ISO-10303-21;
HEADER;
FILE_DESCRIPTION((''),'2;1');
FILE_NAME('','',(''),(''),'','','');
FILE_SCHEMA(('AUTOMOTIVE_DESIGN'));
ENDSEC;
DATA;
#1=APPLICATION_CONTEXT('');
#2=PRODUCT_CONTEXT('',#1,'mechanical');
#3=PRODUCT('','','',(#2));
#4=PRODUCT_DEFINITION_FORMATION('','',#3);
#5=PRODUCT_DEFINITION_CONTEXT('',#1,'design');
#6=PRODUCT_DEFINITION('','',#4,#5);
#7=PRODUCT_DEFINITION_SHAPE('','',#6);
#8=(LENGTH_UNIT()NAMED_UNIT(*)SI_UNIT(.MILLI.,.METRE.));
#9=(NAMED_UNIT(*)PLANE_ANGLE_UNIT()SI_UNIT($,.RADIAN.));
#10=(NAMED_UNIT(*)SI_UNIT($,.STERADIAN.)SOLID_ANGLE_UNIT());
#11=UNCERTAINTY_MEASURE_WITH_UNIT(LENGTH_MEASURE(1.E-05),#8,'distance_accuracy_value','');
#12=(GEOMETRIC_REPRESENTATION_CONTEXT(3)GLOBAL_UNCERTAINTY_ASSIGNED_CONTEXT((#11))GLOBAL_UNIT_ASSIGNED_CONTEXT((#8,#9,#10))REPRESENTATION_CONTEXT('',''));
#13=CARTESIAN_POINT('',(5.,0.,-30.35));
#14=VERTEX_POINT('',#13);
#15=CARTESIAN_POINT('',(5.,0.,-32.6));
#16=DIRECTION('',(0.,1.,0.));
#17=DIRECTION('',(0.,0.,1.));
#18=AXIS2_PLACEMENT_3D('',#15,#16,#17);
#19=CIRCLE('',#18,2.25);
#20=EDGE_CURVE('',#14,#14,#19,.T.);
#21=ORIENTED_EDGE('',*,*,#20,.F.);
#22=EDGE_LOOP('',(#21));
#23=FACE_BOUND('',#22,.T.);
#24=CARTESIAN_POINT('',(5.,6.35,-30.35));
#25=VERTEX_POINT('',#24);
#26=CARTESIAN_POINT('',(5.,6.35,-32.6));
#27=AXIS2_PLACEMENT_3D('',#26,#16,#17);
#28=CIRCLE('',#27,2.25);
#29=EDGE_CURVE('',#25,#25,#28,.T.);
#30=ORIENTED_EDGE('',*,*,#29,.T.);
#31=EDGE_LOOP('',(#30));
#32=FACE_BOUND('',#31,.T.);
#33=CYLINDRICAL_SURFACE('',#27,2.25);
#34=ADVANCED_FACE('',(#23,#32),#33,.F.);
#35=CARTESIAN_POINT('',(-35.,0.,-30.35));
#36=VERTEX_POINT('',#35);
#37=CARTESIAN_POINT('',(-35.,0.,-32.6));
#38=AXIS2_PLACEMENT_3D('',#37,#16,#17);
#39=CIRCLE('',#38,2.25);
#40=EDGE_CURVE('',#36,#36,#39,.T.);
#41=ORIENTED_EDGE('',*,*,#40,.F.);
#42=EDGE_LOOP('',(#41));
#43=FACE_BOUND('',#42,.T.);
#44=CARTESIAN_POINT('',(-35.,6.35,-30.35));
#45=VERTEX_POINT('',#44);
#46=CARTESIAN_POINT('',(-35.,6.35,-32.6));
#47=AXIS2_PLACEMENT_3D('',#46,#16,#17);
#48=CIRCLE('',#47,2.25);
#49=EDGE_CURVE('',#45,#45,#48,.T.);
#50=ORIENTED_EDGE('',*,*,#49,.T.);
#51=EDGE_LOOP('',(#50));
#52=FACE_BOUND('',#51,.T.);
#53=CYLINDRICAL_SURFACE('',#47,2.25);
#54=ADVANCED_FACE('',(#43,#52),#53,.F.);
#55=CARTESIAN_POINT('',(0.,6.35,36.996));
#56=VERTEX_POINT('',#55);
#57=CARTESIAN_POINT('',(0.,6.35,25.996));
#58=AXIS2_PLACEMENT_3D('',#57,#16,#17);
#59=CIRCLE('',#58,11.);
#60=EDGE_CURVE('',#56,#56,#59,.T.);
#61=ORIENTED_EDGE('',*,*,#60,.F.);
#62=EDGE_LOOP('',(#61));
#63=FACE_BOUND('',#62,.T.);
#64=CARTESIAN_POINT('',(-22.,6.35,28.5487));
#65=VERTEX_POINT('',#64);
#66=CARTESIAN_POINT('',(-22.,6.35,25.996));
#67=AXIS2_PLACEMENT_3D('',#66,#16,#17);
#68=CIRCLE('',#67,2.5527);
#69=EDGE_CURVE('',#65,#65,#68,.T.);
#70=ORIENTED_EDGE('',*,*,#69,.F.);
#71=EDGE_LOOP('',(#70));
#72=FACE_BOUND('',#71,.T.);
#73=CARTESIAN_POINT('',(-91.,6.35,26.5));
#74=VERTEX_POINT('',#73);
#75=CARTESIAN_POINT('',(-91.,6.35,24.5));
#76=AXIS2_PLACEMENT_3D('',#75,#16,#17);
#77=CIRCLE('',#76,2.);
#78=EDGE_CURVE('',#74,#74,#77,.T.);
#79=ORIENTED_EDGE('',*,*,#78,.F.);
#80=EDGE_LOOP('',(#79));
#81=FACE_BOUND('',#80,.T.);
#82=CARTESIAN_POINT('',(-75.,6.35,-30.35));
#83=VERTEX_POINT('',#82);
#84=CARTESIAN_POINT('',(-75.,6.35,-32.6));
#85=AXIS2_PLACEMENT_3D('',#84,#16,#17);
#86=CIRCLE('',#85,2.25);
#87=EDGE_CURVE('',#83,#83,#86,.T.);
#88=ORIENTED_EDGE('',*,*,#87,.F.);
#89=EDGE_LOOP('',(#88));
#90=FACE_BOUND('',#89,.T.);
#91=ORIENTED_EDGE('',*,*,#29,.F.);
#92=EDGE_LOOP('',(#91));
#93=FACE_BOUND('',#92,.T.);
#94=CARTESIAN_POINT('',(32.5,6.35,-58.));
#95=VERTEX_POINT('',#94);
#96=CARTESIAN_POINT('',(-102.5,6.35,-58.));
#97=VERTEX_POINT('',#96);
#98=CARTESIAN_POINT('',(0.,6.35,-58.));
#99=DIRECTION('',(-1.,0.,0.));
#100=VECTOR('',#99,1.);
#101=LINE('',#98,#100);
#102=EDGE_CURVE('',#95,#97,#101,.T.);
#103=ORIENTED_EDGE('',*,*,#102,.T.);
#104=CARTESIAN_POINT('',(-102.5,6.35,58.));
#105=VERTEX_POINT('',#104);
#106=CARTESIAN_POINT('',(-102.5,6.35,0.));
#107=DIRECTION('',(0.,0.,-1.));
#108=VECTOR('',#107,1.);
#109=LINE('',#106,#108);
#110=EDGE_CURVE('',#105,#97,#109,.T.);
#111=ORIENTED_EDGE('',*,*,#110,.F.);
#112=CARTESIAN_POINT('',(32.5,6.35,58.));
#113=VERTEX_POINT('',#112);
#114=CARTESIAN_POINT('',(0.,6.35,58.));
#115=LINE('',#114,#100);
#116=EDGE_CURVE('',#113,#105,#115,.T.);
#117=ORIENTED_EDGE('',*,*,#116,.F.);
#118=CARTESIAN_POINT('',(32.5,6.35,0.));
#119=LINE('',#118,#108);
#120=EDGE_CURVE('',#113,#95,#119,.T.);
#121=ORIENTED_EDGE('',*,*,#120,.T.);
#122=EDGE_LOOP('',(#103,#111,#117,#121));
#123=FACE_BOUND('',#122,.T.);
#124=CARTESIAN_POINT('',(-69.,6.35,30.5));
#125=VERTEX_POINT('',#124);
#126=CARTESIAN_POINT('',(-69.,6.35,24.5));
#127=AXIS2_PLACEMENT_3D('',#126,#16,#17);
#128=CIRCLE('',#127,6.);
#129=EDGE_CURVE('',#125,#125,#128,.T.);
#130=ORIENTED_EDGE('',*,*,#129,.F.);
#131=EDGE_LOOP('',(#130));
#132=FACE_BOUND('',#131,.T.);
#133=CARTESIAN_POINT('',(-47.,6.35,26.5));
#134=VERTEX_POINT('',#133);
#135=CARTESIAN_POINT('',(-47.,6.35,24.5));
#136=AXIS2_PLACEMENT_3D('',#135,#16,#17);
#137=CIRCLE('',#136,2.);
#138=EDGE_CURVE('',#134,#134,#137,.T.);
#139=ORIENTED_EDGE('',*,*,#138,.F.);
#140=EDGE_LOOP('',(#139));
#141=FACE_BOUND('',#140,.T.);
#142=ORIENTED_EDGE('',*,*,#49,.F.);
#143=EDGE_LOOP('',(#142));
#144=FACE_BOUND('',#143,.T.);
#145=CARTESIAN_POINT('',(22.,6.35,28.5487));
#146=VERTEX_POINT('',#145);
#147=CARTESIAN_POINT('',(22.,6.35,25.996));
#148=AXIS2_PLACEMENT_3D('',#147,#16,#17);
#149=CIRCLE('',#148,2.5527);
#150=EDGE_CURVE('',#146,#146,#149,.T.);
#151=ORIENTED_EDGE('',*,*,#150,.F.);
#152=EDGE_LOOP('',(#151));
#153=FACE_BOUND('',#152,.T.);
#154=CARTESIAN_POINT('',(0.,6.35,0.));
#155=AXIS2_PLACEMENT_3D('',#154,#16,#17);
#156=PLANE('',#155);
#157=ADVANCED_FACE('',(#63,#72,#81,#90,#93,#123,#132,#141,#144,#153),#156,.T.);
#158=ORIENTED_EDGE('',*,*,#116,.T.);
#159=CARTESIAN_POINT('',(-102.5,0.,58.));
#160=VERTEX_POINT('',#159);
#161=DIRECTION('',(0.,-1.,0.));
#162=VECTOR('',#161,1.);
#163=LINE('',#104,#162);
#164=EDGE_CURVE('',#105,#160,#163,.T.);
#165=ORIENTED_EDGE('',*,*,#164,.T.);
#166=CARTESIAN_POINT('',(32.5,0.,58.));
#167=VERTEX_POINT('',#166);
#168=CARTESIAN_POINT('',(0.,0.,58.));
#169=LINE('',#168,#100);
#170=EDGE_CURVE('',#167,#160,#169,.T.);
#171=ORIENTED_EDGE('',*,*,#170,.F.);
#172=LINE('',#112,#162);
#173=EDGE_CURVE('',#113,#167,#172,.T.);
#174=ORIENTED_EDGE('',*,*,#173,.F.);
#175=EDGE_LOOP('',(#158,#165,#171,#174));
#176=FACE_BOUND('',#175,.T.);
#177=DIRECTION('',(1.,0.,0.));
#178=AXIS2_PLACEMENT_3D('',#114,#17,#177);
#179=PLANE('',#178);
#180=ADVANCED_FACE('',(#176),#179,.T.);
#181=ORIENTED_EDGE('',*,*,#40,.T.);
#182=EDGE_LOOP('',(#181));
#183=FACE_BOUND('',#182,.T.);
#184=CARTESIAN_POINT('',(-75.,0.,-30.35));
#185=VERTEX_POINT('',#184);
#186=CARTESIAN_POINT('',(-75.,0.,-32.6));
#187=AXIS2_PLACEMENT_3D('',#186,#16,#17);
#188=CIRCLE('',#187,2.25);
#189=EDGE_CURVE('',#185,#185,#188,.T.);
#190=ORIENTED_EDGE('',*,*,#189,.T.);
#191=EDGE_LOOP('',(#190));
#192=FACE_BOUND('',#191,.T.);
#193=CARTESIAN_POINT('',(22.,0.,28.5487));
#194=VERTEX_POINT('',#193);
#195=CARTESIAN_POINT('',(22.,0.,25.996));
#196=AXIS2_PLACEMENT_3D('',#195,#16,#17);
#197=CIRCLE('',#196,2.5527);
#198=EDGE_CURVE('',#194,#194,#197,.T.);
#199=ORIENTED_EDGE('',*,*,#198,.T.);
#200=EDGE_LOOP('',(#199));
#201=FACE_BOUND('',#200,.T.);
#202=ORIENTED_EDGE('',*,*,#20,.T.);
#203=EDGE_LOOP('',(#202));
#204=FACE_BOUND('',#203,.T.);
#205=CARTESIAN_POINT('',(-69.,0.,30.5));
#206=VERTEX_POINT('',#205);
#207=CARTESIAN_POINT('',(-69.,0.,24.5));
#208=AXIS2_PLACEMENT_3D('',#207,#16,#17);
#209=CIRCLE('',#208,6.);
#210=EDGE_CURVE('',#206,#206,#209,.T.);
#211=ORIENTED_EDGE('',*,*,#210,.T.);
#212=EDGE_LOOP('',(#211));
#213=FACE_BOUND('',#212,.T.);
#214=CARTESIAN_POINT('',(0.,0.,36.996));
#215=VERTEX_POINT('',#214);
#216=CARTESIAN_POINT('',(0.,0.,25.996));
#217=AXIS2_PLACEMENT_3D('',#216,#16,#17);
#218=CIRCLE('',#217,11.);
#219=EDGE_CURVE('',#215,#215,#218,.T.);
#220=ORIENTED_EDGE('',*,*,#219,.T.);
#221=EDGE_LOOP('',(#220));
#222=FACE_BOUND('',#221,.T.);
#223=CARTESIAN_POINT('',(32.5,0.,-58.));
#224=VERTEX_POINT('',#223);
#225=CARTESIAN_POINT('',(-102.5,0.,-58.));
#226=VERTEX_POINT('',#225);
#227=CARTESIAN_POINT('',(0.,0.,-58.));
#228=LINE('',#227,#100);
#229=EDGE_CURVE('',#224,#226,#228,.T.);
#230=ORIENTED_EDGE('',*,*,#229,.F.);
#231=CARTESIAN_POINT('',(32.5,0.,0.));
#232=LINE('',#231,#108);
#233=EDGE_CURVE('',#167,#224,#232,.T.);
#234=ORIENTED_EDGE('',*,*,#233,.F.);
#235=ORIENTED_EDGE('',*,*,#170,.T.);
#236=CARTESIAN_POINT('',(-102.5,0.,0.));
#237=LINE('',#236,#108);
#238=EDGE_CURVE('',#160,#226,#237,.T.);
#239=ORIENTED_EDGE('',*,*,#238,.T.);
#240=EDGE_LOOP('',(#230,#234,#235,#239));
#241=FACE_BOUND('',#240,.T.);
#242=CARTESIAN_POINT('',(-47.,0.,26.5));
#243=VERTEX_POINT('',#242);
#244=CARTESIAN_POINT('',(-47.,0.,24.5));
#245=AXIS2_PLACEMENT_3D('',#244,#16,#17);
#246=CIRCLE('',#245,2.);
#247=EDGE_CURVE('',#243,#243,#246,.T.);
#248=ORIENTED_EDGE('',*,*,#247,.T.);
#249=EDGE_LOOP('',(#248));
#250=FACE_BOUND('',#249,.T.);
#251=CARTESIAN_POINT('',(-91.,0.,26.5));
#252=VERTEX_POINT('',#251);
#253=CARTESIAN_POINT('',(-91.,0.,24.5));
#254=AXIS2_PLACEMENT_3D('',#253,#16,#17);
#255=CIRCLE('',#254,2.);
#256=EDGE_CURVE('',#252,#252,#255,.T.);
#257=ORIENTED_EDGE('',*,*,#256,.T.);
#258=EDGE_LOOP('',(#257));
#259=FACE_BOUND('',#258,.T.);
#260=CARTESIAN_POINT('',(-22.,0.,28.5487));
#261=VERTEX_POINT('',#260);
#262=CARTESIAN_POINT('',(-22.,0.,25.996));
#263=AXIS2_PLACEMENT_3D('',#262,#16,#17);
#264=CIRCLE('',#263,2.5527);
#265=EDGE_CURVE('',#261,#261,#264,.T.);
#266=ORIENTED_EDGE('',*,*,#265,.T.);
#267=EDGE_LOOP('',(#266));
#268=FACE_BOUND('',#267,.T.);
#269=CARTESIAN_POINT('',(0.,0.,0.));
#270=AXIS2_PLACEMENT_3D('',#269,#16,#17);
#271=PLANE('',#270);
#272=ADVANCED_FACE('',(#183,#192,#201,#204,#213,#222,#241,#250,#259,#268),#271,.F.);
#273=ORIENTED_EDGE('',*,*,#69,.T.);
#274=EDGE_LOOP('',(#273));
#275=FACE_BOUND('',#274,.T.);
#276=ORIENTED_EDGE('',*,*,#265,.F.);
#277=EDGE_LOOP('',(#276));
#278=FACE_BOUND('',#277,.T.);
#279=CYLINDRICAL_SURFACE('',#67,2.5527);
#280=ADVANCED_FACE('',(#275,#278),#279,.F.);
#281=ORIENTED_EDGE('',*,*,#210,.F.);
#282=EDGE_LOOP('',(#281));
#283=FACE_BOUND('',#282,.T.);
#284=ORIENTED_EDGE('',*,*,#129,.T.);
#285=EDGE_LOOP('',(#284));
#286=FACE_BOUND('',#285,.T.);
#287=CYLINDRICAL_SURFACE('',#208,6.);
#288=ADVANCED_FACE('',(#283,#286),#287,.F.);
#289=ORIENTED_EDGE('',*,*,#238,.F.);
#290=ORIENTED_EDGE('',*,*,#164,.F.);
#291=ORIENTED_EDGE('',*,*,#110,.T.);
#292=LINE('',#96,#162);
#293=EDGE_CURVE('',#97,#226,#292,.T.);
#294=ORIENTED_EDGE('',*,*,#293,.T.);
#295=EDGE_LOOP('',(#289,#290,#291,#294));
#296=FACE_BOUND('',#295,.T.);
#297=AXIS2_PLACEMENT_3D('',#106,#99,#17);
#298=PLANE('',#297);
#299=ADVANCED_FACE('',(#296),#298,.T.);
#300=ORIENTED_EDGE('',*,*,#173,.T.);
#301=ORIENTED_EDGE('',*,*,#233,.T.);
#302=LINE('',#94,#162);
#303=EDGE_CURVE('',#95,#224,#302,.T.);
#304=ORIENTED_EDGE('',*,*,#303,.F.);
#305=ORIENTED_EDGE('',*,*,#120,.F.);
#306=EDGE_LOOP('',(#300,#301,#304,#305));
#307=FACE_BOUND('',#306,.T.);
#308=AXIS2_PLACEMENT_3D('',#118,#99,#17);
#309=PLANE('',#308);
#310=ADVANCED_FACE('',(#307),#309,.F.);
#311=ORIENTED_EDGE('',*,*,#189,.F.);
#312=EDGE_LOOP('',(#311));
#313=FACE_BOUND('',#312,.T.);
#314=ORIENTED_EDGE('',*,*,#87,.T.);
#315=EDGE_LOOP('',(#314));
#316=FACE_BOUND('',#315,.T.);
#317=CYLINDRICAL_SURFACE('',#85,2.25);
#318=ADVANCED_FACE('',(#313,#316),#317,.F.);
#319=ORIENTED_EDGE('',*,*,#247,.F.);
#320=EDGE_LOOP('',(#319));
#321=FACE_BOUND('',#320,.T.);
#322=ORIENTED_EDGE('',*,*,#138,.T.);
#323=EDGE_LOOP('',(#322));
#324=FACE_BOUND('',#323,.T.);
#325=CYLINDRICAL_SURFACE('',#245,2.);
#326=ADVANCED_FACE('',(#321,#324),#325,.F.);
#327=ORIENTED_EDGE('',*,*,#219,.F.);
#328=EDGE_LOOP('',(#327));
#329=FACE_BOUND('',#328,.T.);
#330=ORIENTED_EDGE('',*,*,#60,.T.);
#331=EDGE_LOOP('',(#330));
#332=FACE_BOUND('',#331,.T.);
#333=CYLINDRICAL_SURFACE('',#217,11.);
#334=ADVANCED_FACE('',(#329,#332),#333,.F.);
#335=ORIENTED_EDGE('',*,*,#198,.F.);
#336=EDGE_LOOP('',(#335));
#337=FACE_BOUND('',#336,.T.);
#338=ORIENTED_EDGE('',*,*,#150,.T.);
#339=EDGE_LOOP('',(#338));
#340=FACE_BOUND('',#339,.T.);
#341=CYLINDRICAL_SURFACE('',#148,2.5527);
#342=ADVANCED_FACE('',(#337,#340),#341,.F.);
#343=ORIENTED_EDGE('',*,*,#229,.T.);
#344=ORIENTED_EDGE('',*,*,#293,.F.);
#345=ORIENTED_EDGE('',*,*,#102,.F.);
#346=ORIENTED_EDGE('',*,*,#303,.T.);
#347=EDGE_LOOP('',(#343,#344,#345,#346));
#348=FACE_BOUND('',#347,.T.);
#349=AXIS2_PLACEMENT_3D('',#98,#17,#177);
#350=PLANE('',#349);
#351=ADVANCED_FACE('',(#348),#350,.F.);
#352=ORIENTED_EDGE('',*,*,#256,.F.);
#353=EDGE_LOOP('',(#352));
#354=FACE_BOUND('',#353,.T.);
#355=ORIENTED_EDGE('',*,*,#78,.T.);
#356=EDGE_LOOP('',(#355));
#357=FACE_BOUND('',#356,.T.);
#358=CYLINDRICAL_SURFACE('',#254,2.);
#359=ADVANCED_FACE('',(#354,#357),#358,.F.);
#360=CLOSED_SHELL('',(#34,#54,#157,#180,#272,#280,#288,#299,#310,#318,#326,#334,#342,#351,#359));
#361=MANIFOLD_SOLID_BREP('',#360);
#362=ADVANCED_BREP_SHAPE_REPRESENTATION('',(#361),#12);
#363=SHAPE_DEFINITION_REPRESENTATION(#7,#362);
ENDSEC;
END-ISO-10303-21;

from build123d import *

# Parameters (mm, degrees)
SKETCH1_W               = 65
SKETCH1_H               = 116
SKETCH1_W_2             = 70
BOSS_EXTRUDE1_DEPTH     = 6.35
F_10_CLEARANCE_HOLE1_D  = 5.1054
SKETCH9_R               = 11
CUT_EXTRUDE2_DEPTH      = 118.94309009
M4_CLEARANCE_HOLE1_D    = 4.5
CUT_EXTRUDE3_DEPTH      = 118.94309009
CUT_EXTRUDE3_DEPTH_BACK = 118.94309009
SKETCH12_R              = 6
SKETCH12_R_2            = 2


with BuildPart() as part:
    # Sketch1 → Boss-Extrude1 (new body)
    with BuildSketch(Plane(origin=(0, 0, 0), x_dir=(1, 0, 0), z_dir=(0, 1, 0))):
        Rectangle(SKETCH1_W, SKETCH1_H)
        with Locations((-67.5, 0)):
            Rectangle(SKETCH1_W_2, SKETCH1_H)
    extrude(amount=BOSS_EXTRUDE1_DEPTH)

    # #10 Clearance Hole1 (through all)
    with Locations(Plane(origin=(0, 6.35, 0), x_dir=(1, 0, 0), z_dir=(0, 1, 0))):
        with Locations((-22, -25.996), (22, -25.996)):
            Hole(F_10_CLEARANCE_HOLE1_D / 2)

    # Sketch9 → Cut-Extrude2 (cut, through all)
    with BuildSketch(Plane(origin=(0, 6.35, 0), x_dir=(1, 0, 0), z_dir=(0, 1, 0))):
        with Locations(Location((0, -25.996, 0), (0, 0, 270))):
            Circle(SKETCH9_R)
    extrude(amount=-CUT_EXTRUDE2_DEPTH, mode=Mode.SUBTRACT)

    # M4 Clearance Hole1 (through all)
    with Locations(Plane(origin=(0, 6.35, 0), x_dir=(1, 0, 0), z_dir=(0, 1, 0))):
        with Locations((-75, 32.6), (-35, 32.6), (5, 32.6)):
            Hole(M4_CLEARANCE_HOLE1_D / 2)

    # Sketch12 → Cut-Extrude3 (cut, two sides: drawn at the far end of the back side and taken through both)
    with BuildSketch(Plane(origin=(0, 6.35, 0), x_dir=(1, 0, 0), z_dir=(0, 1, 0)).offset(-CUT_EXTRUDE3_DEPTH_BACK)):
        with Locations(Location((-69, -24.5, 0), (0, 0, 270))):
            Circle(SKETCH12_R)
        with Locations(Location((-91, -24.5, 0), (0, 0, 270))):
            Circle(SKETCH12_R_2)
        with Locations(Location((-47, -24.5, 0), (0, 0, 270))):
            Circle(SKETCH12_R_2)
    extrude(amount=CUT_EXTRUDE3_DEPTH + CUT_EXTRUDE3_DEPTH_BACK, mode=Mode.SUBTRACT)


solid = part.part
